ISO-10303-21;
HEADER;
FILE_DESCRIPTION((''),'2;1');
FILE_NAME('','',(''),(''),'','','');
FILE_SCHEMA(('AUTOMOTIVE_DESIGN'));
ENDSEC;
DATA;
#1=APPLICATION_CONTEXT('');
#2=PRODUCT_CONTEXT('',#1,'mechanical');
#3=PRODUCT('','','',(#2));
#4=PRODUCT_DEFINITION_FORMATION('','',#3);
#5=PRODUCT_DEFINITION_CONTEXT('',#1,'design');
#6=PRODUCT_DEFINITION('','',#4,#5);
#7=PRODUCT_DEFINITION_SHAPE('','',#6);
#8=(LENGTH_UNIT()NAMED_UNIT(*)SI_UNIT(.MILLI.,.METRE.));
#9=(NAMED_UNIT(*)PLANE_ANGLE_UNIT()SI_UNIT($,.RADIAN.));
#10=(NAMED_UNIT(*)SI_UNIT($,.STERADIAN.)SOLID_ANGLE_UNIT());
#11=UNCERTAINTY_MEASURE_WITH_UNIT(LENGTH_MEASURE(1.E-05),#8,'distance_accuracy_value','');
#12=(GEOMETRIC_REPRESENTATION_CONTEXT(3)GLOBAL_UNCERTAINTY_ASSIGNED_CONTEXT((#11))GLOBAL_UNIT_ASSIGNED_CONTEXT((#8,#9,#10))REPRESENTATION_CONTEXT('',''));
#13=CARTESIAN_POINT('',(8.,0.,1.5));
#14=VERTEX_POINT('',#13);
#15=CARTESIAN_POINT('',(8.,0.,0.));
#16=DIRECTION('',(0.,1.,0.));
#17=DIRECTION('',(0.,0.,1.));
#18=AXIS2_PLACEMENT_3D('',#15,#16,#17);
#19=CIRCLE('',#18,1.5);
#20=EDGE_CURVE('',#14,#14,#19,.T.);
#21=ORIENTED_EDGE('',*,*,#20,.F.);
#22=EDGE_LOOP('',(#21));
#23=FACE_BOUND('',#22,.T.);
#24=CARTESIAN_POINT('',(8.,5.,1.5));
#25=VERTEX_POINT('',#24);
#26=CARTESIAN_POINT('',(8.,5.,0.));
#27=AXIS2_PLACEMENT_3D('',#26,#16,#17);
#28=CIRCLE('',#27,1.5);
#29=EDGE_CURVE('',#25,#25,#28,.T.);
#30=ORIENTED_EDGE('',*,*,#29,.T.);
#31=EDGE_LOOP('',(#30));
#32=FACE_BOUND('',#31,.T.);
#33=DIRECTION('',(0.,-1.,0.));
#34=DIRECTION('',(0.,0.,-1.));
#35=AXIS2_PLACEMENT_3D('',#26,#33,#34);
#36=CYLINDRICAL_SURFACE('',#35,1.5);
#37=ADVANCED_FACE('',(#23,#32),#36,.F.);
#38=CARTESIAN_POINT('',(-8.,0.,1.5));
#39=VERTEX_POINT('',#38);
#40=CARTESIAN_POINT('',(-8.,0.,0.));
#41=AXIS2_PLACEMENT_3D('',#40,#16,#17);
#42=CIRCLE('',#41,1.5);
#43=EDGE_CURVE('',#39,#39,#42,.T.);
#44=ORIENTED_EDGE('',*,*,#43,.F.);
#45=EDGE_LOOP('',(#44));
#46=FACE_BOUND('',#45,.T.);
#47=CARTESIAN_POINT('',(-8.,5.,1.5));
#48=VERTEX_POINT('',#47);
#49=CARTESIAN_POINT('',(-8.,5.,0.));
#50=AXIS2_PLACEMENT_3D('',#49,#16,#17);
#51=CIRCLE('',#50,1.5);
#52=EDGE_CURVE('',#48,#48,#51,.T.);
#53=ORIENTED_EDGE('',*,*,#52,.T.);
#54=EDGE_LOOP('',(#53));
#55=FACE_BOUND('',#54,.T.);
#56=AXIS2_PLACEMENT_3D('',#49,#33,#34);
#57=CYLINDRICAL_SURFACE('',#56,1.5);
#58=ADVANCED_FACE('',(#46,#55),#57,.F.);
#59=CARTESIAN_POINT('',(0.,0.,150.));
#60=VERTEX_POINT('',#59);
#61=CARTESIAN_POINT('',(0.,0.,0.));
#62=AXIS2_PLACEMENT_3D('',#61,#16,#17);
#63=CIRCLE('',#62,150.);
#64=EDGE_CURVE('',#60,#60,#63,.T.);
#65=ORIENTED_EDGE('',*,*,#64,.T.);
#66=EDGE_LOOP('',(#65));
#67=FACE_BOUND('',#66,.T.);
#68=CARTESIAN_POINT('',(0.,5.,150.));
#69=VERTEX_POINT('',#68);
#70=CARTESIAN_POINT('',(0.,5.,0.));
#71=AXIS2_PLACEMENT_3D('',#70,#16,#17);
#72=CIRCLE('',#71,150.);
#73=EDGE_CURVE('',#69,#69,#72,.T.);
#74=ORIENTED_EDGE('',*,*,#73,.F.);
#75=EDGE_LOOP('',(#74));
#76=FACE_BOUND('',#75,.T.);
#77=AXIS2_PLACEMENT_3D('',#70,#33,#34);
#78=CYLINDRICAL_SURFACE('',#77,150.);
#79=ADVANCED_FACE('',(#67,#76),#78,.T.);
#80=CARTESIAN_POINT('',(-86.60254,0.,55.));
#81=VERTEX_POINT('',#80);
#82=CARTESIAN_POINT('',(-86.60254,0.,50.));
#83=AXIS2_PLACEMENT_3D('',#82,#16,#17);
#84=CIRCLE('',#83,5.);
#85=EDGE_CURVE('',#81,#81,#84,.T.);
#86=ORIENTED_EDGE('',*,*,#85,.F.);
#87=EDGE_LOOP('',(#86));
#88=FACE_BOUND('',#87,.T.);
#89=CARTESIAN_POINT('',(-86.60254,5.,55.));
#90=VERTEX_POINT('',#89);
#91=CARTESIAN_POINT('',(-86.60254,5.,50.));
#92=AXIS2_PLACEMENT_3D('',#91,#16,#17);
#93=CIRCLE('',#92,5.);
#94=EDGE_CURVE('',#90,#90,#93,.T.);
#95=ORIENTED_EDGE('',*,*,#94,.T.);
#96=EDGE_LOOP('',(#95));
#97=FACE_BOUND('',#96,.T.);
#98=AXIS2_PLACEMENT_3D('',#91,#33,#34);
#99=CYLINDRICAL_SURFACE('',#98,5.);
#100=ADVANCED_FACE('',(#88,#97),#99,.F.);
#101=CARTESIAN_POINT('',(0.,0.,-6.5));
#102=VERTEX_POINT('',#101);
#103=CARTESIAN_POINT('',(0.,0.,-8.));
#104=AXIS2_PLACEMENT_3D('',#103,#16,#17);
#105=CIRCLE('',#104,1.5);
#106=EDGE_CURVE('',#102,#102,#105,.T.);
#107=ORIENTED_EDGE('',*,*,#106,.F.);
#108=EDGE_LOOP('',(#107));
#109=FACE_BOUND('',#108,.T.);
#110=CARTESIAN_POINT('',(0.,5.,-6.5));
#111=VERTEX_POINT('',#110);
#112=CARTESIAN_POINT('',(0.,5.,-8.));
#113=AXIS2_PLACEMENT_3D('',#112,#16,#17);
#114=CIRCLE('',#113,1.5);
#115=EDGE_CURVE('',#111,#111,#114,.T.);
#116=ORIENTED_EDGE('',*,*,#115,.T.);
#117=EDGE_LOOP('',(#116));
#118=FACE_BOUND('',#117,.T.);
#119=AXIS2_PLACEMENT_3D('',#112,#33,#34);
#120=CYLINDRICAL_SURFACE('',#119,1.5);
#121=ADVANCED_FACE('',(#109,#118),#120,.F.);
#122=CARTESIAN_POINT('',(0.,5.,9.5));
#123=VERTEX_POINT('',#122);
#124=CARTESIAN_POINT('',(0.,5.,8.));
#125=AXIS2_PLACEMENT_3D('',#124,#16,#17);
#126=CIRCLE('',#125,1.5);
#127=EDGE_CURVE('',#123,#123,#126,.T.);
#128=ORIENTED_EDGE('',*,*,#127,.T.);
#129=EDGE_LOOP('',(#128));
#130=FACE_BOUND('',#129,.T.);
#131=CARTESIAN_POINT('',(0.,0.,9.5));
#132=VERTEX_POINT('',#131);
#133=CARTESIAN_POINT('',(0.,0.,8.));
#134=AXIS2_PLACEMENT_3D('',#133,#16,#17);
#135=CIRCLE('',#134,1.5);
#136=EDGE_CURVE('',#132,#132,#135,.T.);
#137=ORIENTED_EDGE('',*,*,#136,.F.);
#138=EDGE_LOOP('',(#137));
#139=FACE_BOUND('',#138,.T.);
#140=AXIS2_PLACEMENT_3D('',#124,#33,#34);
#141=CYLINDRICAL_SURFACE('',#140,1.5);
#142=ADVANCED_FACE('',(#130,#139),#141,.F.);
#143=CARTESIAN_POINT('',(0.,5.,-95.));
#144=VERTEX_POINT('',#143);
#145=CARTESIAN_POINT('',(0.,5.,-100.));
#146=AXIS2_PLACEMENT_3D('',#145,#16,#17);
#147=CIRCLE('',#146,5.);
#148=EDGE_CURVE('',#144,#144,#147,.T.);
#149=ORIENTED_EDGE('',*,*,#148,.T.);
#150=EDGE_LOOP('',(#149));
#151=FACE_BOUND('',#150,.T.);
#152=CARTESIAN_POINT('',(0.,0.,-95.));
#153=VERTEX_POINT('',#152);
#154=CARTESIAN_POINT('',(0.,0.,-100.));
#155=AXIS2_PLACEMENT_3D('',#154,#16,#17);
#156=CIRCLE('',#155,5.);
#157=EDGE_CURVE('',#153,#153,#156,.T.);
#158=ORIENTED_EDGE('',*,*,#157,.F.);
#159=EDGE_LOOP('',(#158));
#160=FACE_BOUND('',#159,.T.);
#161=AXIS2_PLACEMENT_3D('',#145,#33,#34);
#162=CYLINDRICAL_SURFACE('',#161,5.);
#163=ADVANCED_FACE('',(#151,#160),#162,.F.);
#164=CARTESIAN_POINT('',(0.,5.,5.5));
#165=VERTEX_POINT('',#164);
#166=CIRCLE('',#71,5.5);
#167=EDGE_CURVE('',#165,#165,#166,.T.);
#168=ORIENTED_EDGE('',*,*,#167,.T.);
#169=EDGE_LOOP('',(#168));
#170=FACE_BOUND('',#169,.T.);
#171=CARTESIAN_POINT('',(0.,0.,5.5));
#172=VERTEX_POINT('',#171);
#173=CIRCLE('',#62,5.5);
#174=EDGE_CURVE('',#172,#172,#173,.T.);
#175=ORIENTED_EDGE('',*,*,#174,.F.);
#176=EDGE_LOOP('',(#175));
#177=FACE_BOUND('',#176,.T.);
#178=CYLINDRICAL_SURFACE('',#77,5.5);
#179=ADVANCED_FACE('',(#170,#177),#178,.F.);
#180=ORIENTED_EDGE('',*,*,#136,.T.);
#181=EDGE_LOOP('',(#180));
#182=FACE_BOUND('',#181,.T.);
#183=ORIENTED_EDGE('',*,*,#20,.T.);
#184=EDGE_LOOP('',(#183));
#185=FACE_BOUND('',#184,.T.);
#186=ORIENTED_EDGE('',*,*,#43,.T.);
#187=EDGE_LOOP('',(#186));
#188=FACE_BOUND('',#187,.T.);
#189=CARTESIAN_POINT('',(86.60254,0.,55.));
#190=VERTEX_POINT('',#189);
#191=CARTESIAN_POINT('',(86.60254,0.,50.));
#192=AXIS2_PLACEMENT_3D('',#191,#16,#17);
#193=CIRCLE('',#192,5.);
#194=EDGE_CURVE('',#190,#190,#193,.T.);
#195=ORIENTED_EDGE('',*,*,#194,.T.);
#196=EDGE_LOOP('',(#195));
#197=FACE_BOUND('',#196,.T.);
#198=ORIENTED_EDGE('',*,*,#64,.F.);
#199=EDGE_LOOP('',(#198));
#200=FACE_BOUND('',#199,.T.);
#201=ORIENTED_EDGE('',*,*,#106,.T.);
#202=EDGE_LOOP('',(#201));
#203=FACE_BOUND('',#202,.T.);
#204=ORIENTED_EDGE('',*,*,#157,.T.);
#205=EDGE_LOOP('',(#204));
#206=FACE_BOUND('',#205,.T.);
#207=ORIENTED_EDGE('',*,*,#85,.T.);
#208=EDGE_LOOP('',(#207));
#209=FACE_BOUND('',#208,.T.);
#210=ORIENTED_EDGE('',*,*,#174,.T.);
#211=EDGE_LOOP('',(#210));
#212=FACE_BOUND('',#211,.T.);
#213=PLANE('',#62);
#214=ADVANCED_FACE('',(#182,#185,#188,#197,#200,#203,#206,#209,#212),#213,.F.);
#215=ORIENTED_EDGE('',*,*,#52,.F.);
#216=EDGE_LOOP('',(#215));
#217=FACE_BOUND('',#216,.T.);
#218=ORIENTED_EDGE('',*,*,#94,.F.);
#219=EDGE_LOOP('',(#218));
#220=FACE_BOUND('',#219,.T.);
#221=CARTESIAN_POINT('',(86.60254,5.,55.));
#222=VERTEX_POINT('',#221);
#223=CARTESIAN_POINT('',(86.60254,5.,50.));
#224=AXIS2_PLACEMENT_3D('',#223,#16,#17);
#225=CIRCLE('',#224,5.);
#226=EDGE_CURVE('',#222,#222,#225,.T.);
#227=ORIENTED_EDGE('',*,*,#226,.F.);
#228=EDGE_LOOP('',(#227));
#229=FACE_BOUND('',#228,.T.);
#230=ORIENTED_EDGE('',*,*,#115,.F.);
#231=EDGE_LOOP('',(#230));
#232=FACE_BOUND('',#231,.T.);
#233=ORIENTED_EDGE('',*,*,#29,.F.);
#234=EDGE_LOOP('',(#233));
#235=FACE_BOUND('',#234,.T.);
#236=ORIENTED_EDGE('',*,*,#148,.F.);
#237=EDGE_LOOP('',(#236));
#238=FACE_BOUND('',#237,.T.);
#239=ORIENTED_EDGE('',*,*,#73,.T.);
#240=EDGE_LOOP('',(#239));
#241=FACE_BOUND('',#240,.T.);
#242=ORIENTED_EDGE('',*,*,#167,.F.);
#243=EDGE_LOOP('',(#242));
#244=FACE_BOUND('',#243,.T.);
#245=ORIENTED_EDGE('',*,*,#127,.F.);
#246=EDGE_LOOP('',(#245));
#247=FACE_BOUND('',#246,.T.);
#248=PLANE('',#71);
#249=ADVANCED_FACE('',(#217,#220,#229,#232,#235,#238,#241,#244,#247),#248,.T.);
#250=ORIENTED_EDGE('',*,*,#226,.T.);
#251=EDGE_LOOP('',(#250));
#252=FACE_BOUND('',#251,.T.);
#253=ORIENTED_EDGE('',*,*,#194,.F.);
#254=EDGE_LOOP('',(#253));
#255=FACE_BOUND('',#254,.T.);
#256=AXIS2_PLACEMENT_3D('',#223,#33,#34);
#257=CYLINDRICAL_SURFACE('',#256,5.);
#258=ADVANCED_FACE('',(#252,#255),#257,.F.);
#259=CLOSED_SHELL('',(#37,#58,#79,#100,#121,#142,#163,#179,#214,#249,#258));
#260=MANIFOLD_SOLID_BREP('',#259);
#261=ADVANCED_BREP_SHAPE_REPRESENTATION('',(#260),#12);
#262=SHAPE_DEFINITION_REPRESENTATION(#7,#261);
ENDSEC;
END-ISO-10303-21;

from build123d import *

# Parameters (mm, degrees)
SKETCH_1_R      = 150
SKETCH_1_R_2    = 5
SKETCH_1_R_3    = 5.5
SKETCH_1_R_4    = 1.5
EXTRUDE_1_DEPTH = 5


with BuildPart() as part:
    # 草图1 → 凸台-拉伸1 (new body)
    with BuildSketch(Plane(origin=(0, 0, 0), x_dir=(1, 0, 0), z_dir=(0, 1, 0))):
        with Locations(Location((0, 0, 0), (0, 0, 270))):
            Circle(SKETCH_1_R)
        with Locations(Location((0, 100, 0), (0, 0, 270))):
            Circle(SKETCH_1_R_2, mode=Mode.SUBTRACT)
        with Locations(Location((-86.602540378, -50, 0), (0, 0, 270))):
            Circle(SKETCH_1_R_2, mode=Mode.SUBTRACT)
        with Locations(Location((86.602540378, -50, 0), (0, 0, 270))):
            Circle(SKETCH_1_R_2, mode=Mode.SUBTRACT)
        with Locations(Location((0, 0, 0), (0, 0, 270))):
            Circle(SKETCH_1_R_3, mode=Mode.SUBTRACT)
        with Locations(Location((0, 8, 0), (0, 0, 270))):
            Circle(SKETCH_1_R_4, mode=Mode.SUBTRACT)
        with Locations(Location((8, 0, 0), (0, 0, 270))):
            Circle(SKETCH_1_R_4, mode=Mode.SUBTRACT)
        with Locations(Location((0, -8, 0), (0, 0, 270))):
            Circle(SKETCH_1_R_4, mode=Mode.SUBTRACT)
        with Locations(Location((-8, 0, 0), (0, 0, 270))):
            Circle(SKETCH_1_R_4, mode=Mode.SUBTRACT)
    extrude(amount=EXTRUDE_1_DEPTH)


solid = part.part
